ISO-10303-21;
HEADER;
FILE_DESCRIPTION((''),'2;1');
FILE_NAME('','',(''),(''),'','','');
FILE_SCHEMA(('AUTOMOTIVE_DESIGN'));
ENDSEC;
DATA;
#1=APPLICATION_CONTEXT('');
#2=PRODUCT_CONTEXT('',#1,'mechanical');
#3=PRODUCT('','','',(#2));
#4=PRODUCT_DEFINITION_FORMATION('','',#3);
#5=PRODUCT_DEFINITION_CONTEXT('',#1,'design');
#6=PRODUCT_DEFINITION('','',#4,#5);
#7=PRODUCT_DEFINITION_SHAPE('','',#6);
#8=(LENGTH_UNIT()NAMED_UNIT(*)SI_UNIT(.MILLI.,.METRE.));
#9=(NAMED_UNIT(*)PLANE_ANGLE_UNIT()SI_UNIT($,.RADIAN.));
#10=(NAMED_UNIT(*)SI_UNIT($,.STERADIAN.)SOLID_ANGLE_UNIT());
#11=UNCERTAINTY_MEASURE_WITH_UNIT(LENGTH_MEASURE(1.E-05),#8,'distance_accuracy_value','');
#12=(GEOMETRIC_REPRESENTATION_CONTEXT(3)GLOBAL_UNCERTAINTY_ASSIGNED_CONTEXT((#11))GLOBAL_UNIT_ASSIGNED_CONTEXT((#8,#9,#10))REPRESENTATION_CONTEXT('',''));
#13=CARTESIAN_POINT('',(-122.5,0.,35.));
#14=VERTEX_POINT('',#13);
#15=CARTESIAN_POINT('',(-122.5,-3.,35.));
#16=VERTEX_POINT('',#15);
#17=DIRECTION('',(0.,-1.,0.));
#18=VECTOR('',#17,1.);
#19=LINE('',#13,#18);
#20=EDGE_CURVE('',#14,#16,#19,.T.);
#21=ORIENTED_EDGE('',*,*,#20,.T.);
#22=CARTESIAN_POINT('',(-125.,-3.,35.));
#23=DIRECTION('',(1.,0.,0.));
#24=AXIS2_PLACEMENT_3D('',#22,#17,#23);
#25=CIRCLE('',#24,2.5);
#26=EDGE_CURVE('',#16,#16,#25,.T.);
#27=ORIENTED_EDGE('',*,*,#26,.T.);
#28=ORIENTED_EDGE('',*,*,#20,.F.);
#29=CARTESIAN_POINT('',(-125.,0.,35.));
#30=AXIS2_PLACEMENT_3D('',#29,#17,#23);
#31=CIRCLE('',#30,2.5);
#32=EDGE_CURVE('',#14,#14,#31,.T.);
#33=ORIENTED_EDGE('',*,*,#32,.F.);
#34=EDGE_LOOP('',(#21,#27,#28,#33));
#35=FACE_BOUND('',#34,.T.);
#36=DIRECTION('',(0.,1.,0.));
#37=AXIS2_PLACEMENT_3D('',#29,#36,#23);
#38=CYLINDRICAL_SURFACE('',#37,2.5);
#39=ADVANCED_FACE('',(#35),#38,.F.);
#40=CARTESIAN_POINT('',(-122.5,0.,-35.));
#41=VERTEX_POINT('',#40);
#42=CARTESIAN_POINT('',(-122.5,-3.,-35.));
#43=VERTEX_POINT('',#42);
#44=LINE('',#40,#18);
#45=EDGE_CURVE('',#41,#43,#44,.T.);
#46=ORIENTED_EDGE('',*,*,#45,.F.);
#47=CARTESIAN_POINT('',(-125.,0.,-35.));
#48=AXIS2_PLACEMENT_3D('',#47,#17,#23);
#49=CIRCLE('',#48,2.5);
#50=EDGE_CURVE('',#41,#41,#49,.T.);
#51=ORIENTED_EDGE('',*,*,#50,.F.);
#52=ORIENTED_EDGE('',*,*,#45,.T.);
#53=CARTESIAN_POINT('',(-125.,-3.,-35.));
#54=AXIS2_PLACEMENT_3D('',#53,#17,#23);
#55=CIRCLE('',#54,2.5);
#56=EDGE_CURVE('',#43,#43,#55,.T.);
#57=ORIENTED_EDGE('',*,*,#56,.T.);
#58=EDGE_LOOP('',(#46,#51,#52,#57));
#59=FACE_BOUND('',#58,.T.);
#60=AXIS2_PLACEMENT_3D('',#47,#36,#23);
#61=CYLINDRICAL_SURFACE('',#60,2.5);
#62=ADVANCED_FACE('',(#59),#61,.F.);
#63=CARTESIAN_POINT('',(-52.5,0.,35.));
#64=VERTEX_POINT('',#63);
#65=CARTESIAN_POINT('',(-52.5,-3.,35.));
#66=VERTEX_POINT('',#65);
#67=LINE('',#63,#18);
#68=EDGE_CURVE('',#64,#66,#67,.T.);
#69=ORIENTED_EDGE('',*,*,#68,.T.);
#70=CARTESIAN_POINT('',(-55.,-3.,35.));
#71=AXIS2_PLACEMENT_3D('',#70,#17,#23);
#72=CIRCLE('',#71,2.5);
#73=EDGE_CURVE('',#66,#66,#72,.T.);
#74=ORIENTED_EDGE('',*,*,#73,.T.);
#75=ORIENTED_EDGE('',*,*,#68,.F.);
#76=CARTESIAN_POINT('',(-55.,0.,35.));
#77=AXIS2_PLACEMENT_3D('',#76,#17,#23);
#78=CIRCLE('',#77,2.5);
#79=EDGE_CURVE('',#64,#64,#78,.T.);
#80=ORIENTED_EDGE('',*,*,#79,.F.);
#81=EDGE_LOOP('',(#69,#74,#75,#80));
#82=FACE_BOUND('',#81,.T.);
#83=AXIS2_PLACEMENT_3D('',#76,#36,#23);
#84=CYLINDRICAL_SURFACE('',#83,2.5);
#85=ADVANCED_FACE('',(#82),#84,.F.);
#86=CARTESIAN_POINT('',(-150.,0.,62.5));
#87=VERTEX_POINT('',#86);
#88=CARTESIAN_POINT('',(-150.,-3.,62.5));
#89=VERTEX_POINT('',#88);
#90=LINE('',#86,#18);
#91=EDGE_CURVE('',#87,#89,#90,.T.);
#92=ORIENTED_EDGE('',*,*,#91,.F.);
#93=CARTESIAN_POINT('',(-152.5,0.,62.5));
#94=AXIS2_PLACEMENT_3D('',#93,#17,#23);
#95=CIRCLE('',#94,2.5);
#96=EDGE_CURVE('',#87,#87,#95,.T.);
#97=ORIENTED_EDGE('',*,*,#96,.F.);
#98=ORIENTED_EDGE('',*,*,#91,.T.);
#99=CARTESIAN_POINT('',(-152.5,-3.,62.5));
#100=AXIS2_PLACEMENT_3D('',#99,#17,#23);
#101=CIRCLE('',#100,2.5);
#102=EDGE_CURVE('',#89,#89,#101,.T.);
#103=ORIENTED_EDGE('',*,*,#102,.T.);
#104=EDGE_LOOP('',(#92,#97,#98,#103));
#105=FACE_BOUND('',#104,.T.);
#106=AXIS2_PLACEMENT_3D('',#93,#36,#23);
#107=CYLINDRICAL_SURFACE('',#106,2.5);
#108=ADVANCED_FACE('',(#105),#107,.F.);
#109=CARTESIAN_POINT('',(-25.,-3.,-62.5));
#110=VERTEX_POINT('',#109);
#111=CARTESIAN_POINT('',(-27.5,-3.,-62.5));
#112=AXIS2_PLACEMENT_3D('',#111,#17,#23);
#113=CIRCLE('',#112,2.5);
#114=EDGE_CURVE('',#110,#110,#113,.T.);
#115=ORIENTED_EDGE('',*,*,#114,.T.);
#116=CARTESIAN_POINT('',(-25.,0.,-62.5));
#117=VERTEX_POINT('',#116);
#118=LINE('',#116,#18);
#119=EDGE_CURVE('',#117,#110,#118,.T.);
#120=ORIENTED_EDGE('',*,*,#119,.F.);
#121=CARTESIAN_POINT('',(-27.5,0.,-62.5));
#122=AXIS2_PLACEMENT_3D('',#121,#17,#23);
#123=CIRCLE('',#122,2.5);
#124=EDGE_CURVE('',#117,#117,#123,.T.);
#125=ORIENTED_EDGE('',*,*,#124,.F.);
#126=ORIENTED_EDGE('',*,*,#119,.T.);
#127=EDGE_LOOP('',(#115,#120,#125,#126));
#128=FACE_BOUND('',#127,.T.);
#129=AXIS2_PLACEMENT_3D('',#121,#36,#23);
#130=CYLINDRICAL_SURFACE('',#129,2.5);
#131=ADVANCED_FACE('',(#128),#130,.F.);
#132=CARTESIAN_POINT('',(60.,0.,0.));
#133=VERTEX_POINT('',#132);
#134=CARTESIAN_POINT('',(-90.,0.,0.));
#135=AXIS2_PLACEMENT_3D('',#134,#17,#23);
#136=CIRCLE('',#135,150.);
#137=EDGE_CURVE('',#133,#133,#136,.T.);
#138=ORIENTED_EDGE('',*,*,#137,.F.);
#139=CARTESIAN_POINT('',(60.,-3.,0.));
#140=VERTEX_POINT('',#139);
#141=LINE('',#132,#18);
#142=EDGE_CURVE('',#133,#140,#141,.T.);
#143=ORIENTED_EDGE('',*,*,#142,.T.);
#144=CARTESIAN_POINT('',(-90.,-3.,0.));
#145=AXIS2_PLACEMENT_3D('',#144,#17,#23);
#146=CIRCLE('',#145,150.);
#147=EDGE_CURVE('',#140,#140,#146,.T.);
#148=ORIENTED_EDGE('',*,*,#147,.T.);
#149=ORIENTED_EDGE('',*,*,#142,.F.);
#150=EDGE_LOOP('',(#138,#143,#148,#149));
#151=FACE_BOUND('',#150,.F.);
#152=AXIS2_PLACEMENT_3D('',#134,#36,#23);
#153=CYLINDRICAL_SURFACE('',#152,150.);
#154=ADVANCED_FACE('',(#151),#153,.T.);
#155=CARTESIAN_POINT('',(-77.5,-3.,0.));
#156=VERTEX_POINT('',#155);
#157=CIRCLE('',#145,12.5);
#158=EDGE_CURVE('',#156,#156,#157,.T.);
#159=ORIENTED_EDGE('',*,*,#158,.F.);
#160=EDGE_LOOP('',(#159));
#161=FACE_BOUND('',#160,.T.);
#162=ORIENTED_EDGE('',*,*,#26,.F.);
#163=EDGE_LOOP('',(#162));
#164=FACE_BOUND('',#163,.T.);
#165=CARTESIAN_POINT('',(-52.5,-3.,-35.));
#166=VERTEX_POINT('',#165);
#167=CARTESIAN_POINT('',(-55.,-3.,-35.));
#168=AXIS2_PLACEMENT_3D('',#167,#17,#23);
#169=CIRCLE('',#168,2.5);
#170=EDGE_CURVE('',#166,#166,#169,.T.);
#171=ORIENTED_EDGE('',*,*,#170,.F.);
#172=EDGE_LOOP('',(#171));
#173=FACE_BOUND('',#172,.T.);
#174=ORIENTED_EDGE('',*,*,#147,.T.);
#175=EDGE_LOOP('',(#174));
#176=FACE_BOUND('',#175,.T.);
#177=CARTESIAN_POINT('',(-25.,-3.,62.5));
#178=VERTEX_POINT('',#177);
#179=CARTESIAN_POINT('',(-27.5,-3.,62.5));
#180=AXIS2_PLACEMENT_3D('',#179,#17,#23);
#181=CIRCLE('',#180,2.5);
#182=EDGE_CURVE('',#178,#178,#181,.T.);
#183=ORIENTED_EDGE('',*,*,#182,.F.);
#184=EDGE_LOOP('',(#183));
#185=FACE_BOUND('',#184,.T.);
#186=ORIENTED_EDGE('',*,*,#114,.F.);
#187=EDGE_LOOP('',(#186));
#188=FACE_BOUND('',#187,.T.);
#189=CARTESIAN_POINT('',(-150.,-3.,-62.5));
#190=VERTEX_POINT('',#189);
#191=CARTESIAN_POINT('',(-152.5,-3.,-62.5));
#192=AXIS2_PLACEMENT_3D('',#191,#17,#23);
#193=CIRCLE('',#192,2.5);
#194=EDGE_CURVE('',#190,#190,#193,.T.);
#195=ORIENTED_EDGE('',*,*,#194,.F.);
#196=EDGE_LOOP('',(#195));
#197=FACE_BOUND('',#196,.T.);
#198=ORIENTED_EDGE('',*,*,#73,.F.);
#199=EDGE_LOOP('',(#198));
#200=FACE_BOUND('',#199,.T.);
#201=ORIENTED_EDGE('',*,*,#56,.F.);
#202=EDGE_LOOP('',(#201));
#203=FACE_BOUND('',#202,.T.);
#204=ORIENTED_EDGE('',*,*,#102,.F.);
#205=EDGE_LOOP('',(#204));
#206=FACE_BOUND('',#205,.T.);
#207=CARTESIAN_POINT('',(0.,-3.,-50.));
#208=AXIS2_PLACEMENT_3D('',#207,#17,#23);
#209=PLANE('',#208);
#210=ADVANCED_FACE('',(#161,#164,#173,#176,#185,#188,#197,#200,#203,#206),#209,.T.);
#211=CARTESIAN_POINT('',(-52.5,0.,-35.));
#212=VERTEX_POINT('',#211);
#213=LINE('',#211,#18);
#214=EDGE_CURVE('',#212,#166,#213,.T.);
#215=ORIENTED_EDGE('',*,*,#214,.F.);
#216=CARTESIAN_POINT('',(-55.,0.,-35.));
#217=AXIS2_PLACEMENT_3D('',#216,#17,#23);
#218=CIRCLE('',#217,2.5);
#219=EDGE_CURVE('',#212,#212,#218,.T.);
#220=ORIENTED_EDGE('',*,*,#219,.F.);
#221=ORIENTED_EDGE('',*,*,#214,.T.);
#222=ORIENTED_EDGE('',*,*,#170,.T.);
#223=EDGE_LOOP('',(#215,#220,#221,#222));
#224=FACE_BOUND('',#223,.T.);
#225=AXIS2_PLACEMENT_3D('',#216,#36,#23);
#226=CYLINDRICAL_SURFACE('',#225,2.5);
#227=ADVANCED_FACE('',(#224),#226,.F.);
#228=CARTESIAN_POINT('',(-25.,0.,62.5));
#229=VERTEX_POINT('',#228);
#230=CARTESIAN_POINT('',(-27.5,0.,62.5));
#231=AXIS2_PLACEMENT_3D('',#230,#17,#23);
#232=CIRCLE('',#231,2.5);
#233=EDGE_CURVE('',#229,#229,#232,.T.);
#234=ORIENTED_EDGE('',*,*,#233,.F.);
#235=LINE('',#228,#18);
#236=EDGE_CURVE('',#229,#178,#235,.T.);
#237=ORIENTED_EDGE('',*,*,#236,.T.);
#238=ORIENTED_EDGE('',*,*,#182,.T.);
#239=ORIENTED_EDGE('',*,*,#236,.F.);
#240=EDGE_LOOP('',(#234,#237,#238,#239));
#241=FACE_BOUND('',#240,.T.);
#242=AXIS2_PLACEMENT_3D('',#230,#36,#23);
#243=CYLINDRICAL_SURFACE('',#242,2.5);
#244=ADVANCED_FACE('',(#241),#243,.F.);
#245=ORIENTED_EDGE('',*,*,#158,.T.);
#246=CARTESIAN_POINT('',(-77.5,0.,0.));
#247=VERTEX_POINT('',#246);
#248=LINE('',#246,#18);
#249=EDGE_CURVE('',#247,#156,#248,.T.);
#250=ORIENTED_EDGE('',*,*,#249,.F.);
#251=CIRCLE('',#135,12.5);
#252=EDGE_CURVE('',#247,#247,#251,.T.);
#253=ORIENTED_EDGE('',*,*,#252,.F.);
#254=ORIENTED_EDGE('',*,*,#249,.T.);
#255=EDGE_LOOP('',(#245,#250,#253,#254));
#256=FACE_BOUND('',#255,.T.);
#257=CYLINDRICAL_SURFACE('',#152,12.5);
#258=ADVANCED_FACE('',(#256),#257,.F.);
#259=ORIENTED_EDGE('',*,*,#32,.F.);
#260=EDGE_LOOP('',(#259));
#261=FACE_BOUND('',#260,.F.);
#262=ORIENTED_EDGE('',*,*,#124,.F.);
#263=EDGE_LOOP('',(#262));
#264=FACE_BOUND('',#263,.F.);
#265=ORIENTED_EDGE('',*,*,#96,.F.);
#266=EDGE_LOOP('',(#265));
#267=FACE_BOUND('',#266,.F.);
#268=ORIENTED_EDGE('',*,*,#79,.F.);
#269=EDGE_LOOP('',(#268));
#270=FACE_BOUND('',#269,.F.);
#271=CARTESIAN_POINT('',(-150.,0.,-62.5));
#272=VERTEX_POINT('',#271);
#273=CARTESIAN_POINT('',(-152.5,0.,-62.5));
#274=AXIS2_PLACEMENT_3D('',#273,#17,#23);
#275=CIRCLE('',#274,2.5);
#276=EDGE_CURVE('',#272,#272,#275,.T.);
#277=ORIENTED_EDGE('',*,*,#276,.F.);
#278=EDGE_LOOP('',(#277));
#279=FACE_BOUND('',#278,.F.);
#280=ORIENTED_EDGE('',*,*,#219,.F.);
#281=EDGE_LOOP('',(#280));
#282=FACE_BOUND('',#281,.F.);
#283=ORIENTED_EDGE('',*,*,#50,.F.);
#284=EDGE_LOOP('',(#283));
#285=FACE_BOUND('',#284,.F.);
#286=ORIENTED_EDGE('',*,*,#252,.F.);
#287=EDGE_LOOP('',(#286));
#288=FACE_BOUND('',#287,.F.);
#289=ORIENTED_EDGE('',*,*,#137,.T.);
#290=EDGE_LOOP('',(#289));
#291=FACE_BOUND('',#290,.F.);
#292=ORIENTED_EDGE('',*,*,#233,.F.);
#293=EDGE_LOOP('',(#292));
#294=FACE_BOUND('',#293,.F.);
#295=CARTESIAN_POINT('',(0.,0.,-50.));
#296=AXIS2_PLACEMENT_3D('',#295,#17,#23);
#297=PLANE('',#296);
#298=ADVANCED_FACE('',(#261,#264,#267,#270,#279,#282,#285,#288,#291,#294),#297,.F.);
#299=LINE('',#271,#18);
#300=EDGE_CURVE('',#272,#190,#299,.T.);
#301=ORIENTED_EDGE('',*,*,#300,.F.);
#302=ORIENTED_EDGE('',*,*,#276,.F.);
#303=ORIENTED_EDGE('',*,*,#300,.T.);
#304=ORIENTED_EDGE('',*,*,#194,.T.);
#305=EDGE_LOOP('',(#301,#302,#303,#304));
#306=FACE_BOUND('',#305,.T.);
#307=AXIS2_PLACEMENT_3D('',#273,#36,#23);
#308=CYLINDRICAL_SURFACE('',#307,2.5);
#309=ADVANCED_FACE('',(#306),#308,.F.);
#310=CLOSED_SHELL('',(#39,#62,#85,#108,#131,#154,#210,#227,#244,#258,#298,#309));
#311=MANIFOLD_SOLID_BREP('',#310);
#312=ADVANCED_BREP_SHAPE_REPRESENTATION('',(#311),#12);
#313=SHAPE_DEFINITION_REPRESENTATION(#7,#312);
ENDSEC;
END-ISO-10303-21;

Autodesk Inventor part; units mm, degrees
ref_plane "YZ Plane" through (0, 0, 0) normal (1, 0, 0) x (0, 1, 0)
ref_plane "XZ Plane" through (0, 0, 0) normal (0, 1, 0) x (-1, 0, 0)
ref_plane "XY Plane" through (0, 0, 0) normal (0, 0, 1) x (1, 0, 0)
sketch "Sketch5" plane through (0, 0, -50) normal (0, -1, 0) x (1, 0, 0)
  line L0 (-90, 50) -> (35, 50) construction
  line L1 (60, 50) -> (-240, 50) construction
  line L2 (-180, 50) -> (0, 50) construction
  line L3 (0, 110) -> (0, -10) construction
  line L4 (-125, 85) -> (-55, 85) construction
  line L5 (-55, 85) -> (-55, 15) construction
  line L6 (-55, 15) -> (-125, 15) construction
  line L7 (-125, 15) -> (-125, 85) construction
  line L8 (-125, 85) -> (-55, 15) construction
  line L9 (-55, 85) -> (-125, 15) construction
  circle A0 centre (-90, 50) radius 150
  circle A1 centre (-125, 15) radius 2.5
  circle A2 centre (-55, 15) radius 2.5
  circle A3 centre (-55, 85) radius 2.5
  circle A4 centre (-125, 85) radius 2.5
  circle A5 centre (-90, 50) radius 12.5
  line L10 (-152.5, -12.5) -> (-27.5, -12.5) construction
  line L11 (-27.5, -12.5) -> (-27.5, 112.5) construction
  line L12 (-27.5, 112.5) -> (-152.5, 112.5) construction
  line L13 (-152.5, 112.5) -> (-152.5, -12.5) construction
  line L14 (-152.5, -12.5) -> (-27.5, 112.5) construction
  line L15 (-27.5, -12.5) -> (-152.5, 112.5) construction
  circle A6 centre (-152.5, -12.5) radius 2.5
  circle A7 centre (-27.5, -12.5) radius 2.5
  circle A8 centre (-27.5, 112.5) radius 2.5
  circle A9 centre (-152.5, 112.5) radius 2.5
  dimension "d57" = 300
  dimension "d25" = 125
  dimension "d50" = 70
  dimension "d51" = 70
  dimension "d52" = 5
  dimension "d53" = 25
  dimension "d54" = 125
  dimension "d55" = 125
  dimension "d56" = 5
extrude "Extrusion5" add sketch "Sketch5" along normal blind 3
properties part number "Foundation-Fork" material "Steel, Mild"
